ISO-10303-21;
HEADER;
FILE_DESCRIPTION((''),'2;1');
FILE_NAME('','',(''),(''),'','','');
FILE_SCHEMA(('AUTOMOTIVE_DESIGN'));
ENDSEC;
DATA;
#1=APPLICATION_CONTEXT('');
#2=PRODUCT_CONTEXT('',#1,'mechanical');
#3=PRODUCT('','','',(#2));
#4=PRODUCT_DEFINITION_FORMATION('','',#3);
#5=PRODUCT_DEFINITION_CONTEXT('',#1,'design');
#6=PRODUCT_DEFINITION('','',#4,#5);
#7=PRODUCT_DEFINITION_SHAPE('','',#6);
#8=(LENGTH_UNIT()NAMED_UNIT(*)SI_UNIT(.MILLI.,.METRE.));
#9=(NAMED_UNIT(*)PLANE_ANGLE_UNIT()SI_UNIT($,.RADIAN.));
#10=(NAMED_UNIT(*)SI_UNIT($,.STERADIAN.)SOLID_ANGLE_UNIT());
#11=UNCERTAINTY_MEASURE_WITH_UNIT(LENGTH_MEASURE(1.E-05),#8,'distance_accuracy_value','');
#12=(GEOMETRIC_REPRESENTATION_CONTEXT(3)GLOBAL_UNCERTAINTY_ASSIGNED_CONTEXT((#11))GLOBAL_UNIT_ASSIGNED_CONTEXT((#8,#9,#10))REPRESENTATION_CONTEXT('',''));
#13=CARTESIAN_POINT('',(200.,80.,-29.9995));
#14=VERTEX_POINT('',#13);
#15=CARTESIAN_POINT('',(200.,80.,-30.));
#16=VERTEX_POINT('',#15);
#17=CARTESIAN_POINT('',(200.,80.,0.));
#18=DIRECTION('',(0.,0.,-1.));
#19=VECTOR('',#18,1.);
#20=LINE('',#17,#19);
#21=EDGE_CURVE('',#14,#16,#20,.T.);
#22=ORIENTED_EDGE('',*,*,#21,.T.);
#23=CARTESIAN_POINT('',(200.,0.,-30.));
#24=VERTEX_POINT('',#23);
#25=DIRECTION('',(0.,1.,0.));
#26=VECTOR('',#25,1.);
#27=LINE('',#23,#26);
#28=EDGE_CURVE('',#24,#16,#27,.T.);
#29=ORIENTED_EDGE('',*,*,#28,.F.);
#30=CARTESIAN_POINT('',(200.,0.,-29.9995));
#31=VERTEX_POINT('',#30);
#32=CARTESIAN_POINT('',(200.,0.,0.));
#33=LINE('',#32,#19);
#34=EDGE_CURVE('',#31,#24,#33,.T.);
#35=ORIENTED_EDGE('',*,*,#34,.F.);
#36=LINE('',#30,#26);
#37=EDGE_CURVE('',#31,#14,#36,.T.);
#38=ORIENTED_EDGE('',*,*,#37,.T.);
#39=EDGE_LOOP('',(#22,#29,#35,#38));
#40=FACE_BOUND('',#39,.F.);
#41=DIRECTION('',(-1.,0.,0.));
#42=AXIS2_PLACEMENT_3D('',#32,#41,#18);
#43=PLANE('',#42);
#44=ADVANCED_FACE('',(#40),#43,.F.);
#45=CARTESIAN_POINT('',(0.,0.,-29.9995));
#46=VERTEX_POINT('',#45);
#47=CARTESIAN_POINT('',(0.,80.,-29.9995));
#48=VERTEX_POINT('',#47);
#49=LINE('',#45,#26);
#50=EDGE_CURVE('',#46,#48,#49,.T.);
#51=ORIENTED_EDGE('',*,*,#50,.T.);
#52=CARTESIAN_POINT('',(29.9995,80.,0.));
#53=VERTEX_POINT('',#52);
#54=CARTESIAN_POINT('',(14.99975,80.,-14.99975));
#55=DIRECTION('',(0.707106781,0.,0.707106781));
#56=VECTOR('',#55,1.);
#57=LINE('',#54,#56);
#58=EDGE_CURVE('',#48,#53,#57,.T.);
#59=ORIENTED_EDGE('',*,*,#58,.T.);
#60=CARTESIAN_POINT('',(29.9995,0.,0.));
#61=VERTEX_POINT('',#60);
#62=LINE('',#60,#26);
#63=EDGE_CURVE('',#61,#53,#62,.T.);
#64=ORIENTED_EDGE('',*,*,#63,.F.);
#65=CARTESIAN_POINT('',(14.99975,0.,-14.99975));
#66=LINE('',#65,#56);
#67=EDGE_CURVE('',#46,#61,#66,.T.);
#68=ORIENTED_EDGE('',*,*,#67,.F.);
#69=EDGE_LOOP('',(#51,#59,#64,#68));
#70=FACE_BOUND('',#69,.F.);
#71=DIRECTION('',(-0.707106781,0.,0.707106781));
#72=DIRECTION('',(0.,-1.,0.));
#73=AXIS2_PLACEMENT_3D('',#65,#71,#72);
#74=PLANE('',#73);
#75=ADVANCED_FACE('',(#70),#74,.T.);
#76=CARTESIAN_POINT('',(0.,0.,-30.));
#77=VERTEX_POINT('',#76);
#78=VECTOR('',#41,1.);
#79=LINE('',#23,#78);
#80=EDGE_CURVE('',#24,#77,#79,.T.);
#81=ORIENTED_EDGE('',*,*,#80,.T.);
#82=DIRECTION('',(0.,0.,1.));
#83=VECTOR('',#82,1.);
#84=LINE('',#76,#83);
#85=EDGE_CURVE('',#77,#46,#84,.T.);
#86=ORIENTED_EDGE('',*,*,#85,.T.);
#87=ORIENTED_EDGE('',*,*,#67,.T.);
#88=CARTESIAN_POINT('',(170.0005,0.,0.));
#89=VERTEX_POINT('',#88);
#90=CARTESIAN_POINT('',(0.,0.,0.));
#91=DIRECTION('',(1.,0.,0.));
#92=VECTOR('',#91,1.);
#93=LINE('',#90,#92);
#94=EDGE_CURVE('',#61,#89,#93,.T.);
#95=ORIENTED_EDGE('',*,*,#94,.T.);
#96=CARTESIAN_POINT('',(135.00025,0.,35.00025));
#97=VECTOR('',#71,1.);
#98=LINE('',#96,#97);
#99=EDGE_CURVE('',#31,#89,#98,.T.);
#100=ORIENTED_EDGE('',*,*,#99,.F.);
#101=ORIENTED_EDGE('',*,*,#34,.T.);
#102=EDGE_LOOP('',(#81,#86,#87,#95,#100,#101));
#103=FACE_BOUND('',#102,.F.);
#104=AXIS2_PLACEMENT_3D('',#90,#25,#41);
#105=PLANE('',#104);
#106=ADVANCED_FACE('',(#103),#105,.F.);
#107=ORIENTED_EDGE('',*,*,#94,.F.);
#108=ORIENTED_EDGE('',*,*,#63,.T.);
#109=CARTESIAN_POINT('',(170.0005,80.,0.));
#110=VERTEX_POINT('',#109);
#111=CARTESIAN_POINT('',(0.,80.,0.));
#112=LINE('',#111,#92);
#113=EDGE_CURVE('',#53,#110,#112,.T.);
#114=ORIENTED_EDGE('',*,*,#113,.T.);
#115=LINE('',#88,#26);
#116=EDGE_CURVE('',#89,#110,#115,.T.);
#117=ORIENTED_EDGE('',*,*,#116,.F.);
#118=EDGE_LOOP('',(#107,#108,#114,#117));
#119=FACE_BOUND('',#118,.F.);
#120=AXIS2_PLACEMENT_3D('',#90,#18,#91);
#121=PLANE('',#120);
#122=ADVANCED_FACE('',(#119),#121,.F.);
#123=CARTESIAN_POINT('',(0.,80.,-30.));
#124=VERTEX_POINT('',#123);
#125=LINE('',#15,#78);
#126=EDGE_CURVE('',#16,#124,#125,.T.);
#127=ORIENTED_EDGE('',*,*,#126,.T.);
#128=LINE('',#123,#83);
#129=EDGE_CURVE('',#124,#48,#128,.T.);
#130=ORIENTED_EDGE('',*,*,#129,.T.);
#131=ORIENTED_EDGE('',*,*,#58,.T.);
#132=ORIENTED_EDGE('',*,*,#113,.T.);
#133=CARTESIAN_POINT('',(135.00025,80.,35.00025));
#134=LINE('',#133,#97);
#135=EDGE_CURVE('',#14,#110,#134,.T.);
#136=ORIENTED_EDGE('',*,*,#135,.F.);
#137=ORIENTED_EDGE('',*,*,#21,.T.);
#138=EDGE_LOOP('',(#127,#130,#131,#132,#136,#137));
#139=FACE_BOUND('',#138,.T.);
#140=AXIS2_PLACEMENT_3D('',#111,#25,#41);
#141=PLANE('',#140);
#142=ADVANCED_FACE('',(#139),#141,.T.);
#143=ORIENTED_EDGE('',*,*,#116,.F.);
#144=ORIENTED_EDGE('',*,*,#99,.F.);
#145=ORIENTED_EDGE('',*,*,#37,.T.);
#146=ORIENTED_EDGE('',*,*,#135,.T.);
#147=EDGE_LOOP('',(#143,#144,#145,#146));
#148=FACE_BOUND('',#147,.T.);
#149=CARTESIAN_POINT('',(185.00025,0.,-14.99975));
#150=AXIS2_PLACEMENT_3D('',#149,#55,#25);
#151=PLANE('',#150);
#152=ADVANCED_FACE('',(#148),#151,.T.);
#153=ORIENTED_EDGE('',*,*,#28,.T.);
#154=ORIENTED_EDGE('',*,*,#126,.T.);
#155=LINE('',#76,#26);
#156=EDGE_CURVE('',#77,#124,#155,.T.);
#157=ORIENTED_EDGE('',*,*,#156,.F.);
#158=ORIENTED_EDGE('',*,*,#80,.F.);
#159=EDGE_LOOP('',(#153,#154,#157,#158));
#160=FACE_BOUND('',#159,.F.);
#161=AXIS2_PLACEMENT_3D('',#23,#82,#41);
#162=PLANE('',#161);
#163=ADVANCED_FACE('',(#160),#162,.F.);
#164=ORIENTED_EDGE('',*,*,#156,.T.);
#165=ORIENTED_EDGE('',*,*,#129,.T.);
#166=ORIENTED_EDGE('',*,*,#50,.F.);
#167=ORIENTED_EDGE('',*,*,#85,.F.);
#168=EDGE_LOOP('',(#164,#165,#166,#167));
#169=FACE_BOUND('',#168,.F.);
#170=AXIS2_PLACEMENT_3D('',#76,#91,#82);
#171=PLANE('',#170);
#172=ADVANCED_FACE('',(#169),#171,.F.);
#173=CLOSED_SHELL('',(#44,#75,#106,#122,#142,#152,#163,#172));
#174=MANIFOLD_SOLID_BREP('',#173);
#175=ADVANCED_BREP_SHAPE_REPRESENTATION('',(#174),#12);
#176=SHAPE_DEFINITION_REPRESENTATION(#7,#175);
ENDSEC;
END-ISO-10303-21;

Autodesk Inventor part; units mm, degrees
ref_plane "YZ Plane" through (0, 0, 0) normal (1, 0, 0) x (0, 1, 0)
ref_plane "XZ Plane" through (0, 0, 0) normal (0, 1, 0) x (-1, 0, 0)
ref_plane "XY Plane" through (0, 0, 0) normal (0, 0, 1) x (1, 0, 0)
sketch "Эскиз1" plane through (0, 0, 0) normal (0, 1, 0) x (-1, 0, 0)
  line L0 (0, 0) -> (-200, 0)
  line L1 (-200, 0) -> (-200, -30)
  line L2 (-200, -30) -> (0, -30)
  line L3 (0, -30) -> (0, 0)
  dimension "d0" = 200
  dimension "d1" = 30
extrude "Выдавливание1" add sketch "Эскиз1" along normal blind 80
chamfer "Фаска1" distance 30 angle 45 2 edges at (0, 40, 0) (200, 40, 0)
properties part number "dou_short_round" material "Красное дерево"
